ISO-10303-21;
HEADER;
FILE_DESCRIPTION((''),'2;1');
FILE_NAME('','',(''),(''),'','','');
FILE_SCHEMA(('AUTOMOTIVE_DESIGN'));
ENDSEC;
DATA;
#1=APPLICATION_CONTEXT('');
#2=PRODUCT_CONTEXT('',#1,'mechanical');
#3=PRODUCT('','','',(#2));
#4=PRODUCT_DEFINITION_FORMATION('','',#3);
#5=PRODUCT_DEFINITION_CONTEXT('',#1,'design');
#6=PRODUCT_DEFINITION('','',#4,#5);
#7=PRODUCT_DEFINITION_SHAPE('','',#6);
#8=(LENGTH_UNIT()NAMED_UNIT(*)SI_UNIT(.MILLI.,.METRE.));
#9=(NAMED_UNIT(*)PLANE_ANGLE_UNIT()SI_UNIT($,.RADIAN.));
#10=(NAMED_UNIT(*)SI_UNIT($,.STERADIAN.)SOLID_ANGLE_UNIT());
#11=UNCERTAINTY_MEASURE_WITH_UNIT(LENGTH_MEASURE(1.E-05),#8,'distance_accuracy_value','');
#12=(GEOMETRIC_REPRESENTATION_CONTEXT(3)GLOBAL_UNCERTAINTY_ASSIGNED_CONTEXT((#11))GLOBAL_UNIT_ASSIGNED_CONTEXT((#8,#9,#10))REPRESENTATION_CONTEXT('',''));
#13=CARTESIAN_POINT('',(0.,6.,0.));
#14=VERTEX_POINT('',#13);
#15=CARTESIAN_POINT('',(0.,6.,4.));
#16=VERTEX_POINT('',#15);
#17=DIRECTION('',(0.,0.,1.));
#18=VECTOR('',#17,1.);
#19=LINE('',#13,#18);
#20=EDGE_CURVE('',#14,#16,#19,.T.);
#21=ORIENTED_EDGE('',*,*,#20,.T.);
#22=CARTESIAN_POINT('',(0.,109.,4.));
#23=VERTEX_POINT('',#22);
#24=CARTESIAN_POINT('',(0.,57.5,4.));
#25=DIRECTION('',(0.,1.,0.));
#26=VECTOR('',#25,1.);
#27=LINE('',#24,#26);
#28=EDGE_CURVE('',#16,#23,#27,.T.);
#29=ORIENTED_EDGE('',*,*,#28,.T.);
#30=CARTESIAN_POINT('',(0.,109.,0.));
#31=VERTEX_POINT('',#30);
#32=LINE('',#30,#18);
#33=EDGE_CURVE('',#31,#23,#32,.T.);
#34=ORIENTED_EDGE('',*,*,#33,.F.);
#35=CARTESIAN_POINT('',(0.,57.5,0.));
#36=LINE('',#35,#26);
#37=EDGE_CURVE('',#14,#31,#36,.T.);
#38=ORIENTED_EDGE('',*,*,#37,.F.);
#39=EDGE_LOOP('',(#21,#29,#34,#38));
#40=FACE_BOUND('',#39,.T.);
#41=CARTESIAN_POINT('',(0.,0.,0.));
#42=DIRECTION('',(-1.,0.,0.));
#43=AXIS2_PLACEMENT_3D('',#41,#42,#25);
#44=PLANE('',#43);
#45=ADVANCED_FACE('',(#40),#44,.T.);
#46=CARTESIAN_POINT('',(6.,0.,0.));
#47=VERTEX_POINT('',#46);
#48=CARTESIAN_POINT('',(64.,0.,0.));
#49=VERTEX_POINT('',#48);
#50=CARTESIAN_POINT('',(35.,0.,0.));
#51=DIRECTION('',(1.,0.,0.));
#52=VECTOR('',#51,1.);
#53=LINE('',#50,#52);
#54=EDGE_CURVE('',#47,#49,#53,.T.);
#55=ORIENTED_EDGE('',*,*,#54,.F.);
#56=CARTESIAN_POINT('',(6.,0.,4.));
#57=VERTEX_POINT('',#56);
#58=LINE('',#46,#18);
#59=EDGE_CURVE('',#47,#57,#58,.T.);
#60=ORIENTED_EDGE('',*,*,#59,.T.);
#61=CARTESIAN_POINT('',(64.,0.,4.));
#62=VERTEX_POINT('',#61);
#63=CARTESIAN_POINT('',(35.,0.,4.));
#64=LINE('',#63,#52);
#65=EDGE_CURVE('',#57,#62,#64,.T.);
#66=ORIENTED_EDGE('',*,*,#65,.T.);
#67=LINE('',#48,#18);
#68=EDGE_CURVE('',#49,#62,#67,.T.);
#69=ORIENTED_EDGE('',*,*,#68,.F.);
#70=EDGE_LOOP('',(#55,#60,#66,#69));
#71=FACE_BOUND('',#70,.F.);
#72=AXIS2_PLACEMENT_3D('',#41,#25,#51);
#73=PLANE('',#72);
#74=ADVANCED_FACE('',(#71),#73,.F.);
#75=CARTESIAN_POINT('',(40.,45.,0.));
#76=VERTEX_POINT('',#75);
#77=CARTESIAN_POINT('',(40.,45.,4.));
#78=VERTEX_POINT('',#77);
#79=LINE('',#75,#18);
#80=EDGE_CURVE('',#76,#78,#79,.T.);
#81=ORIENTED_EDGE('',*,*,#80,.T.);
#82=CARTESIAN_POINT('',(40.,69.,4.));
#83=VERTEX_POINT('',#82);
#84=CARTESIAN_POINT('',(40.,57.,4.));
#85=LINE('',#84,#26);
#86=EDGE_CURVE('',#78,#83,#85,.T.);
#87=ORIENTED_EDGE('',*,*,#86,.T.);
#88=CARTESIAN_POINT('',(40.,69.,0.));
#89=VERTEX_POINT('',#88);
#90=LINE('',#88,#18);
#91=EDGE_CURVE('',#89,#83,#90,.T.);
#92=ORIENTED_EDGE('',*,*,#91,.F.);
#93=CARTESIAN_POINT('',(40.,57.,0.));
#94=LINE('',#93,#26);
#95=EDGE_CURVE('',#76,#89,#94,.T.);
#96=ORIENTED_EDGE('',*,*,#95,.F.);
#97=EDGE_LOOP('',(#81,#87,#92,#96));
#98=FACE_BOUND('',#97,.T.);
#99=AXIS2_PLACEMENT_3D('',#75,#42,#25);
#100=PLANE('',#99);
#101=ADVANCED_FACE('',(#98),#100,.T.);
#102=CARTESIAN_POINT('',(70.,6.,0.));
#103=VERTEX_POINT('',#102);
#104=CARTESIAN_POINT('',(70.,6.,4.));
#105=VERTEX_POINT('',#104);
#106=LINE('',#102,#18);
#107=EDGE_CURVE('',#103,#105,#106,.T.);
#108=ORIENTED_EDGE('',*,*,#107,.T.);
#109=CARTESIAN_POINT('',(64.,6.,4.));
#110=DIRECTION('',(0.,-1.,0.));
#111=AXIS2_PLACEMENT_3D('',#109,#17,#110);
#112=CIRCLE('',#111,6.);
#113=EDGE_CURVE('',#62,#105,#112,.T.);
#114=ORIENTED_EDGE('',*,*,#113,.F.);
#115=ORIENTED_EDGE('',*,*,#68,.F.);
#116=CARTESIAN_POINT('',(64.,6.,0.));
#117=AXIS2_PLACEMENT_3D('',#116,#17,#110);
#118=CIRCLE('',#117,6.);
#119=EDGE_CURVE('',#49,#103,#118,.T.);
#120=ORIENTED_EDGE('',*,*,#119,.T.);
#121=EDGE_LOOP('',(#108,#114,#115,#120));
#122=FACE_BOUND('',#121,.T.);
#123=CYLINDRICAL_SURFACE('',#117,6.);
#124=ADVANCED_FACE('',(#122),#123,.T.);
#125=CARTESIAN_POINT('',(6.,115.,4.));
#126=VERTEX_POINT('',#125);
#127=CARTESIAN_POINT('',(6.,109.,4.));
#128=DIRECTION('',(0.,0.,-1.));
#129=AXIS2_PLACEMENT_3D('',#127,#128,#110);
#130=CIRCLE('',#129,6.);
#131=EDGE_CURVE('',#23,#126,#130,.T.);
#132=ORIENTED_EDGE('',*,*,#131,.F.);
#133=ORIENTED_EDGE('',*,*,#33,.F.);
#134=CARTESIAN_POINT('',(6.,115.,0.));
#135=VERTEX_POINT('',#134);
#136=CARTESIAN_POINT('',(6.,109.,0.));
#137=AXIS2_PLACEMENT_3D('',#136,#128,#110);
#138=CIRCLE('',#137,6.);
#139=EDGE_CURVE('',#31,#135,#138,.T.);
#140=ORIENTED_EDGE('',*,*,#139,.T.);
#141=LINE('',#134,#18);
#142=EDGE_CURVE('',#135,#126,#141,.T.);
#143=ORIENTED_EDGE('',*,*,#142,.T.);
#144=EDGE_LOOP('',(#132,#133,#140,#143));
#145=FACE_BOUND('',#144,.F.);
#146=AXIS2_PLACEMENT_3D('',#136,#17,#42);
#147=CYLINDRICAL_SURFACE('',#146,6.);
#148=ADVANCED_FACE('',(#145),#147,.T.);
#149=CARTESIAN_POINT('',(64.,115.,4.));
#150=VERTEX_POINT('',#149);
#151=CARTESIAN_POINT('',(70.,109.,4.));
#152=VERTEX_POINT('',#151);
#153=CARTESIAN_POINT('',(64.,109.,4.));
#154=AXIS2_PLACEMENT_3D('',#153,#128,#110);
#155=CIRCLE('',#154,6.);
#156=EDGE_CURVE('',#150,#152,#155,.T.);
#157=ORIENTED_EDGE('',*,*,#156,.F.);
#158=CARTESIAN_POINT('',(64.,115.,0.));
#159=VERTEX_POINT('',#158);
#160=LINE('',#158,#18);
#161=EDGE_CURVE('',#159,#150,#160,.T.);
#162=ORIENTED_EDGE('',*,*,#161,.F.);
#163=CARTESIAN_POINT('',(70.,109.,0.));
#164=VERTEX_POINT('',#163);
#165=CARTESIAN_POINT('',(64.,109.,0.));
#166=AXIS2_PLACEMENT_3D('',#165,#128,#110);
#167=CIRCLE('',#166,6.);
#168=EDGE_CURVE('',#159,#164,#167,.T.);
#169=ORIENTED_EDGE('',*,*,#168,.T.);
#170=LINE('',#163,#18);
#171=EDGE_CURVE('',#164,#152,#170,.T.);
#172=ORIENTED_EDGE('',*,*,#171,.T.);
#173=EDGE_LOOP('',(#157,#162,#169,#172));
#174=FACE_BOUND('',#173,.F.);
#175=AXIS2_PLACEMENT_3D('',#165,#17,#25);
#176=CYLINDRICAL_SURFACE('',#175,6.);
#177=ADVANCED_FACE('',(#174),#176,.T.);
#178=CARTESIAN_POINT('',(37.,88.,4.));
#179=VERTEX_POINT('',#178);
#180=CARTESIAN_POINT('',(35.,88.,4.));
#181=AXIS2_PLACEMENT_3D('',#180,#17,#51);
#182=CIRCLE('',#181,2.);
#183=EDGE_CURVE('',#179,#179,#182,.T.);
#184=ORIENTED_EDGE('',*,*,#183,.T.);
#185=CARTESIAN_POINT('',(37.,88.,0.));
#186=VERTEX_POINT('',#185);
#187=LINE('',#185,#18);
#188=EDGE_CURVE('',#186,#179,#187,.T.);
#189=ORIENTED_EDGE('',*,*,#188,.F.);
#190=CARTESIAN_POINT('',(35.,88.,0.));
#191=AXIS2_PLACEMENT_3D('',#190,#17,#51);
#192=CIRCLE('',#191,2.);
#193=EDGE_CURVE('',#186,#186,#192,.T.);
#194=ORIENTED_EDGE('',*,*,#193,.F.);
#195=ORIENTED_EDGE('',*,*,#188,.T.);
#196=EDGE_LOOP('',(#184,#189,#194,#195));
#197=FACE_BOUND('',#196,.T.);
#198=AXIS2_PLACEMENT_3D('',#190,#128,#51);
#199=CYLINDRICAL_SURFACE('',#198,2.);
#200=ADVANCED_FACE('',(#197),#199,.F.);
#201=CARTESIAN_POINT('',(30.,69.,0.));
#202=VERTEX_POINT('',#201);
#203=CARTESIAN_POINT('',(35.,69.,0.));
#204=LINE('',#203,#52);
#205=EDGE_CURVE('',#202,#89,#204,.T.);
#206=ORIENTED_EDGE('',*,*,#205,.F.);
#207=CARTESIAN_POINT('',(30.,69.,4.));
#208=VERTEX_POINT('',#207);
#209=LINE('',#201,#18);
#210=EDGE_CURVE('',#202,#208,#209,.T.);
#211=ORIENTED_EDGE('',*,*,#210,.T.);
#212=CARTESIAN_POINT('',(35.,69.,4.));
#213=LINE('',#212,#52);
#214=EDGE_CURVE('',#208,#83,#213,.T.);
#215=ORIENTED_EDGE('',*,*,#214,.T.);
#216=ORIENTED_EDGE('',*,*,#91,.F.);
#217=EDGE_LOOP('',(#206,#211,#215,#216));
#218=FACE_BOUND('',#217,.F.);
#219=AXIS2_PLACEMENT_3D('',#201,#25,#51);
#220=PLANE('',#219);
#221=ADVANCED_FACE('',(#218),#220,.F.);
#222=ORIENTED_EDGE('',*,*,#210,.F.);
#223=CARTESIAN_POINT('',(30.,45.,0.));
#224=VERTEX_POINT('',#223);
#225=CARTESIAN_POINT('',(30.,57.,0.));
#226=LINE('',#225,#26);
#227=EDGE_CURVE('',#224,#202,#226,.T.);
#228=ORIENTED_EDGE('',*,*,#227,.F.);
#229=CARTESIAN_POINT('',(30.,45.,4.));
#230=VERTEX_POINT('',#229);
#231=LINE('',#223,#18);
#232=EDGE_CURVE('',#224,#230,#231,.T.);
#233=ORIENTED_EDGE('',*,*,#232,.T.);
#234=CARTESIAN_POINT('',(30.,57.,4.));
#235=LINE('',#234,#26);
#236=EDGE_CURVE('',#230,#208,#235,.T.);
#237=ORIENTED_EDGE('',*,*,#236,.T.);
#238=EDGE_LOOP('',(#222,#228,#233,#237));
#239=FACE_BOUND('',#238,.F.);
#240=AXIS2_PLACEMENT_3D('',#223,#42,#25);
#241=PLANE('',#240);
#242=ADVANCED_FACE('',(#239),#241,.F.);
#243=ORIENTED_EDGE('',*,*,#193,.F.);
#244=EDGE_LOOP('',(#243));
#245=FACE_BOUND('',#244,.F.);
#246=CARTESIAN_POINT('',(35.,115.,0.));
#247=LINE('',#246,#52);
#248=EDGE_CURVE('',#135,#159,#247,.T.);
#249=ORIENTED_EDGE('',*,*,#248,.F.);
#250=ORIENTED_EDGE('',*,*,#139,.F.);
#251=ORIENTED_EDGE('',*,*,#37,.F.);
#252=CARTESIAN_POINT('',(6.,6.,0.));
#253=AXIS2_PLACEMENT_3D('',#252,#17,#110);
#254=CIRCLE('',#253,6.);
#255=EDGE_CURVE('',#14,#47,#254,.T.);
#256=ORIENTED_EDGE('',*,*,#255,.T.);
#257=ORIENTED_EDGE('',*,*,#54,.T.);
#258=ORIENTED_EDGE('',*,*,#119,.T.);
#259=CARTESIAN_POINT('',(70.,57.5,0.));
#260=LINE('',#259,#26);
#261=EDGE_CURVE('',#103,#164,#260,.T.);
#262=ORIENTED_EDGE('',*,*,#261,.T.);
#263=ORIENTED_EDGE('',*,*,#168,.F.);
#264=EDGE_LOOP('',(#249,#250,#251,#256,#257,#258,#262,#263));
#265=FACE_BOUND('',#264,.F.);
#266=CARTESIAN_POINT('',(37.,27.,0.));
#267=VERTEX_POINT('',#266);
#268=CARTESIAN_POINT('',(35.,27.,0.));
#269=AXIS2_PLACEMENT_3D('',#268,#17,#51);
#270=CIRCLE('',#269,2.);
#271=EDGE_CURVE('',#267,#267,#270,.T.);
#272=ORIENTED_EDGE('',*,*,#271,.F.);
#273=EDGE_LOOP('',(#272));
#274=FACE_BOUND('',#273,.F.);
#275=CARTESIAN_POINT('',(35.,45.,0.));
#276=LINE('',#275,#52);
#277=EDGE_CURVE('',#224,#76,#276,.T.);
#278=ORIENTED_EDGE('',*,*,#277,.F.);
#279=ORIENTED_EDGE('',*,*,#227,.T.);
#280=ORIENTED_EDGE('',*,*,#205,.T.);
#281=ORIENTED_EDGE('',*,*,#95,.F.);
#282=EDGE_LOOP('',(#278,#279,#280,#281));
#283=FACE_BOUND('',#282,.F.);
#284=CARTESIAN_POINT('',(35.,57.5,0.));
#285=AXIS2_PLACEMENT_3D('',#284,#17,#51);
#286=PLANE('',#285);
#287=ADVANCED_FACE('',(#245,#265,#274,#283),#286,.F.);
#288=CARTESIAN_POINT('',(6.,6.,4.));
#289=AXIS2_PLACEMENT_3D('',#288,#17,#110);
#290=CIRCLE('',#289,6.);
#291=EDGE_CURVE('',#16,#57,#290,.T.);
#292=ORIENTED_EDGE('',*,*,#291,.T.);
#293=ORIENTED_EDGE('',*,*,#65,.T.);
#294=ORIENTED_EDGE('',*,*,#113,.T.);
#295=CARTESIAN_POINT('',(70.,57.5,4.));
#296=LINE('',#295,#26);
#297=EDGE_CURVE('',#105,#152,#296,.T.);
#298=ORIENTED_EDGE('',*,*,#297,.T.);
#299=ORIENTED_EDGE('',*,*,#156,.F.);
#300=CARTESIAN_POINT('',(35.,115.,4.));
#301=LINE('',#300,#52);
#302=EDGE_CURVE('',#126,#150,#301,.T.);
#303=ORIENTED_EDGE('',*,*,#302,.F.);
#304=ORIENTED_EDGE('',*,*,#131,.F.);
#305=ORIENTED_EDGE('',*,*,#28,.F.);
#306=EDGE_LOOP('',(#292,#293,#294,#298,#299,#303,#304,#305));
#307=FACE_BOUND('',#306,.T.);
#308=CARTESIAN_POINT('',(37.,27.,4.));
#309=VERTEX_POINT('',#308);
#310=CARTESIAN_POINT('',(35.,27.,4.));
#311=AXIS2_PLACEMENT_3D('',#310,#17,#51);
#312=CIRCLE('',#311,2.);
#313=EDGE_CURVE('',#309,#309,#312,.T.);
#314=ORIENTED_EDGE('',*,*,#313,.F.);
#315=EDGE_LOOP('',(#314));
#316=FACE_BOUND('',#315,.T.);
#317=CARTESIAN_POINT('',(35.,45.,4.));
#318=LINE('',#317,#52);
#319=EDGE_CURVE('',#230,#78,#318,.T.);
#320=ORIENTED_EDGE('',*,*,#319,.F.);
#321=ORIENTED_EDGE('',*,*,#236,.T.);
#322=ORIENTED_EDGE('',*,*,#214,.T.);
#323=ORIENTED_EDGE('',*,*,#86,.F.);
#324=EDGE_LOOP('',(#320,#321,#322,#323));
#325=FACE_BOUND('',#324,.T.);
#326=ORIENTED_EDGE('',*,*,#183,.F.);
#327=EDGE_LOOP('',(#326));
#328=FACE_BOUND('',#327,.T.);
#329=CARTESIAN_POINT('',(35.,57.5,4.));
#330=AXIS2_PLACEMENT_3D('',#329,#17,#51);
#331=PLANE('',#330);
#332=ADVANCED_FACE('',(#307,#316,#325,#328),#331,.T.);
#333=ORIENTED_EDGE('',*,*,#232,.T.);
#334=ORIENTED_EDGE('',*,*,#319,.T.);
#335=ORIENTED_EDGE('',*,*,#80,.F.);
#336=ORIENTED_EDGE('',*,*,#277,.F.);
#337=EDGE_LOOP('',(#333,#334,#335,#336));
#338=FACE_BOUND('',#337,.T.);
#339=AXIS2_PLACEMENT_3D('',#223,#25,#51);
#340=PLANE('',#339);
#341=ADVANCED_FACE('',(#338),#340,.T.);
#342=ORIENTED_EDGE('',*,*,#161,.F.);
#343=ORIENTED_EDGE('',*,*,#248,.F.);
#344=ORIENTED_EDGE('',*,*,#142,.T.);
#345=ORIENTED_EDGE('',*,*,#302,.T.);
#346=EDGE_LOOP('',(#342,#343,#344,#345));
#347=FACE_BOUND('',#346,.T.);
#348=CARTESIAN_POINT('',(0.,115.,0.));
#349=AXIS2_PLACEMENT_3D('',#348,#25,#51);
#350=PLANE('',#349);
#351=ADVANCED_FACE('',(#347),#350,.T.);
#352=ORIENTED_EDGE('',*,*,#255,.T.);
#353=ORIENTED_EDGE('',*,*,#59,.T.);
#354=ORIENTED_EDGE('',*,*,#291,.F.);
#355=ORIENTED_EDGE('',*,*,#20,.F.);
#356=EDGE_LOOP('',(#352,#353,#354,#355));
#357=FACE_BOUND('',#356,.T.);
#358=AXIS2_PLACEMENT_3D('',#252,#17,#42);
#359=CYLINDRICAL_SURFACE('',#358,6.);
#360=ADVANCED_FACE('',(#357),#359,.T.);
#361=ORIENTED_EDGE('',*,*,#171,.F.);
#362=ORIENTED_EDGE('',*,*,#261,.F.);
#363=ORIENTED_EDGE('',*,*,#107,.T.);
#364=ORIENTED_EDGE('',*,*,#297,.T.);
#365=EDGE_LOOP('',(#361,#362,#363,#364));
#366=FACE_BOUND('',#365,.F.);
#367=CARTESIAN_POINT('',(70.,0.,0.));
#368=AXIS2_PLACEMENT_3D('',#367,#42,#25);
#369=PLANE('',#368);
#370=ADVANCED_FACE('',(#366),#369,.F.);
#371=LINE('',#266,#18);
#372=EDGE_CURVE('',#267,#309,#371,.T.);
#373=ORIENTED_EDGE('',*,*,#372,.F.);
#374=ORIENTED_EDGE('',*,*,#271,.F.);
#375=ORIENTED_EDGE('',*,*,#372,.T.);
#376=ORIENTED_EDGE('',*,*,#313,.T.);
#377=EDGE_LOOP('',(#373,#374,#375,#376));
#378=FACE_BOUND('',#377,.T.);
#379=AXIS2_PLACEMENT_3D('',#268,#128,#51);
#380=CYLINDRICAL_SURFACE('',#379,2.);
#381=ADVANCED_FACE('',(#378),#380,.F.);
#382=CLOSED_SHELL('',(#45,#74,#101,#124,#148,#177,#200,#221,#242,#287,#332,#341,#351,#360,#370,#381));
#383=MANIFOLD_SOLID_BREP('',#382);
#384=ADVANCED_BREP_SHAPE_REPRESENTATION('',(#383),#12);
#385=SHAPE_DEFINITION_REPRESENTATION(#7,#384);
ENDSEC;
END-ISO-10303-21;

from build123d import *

# Parameters (mm, degrees)
F0_W     = 70
F0_H     = 115
F0_R     = 2
F0_W_2   = 10
F0_H_2   = 24
F1_DEPTH = 4
F2_R     = 6


with BuildPart() as f1:
    # F0 (on Top) → F1 (new body)
    with BuildSketch(Plane.XY):
        with Locations((35, 57.5)):
            Rectangle(F0_W, F0_H)
        with Locations((35, 27)):
            Circle(F0_R, mode=Mode.SUBTRACT)
        with Locations((35, 57)):
            Rectangle(F0_W_2, F0_H_2, mode=Mode.SUBTRACT)
        with Locations((35, 88)):
            Circle(F0_R, mode=Mode.SUBTRACT)
    extrude(amount=F1_DEPTH)

    # F2
    f2_edges = [f1.edges().sort_by_distance(p)[0] for p in [
        (0, 115, 2),
        (70, 115, 2),
        (70, 0, 2),
        (0, 0, 2),
    ]]
    fillet(f2_edges, radius=F2_R)


solid = f1.part
